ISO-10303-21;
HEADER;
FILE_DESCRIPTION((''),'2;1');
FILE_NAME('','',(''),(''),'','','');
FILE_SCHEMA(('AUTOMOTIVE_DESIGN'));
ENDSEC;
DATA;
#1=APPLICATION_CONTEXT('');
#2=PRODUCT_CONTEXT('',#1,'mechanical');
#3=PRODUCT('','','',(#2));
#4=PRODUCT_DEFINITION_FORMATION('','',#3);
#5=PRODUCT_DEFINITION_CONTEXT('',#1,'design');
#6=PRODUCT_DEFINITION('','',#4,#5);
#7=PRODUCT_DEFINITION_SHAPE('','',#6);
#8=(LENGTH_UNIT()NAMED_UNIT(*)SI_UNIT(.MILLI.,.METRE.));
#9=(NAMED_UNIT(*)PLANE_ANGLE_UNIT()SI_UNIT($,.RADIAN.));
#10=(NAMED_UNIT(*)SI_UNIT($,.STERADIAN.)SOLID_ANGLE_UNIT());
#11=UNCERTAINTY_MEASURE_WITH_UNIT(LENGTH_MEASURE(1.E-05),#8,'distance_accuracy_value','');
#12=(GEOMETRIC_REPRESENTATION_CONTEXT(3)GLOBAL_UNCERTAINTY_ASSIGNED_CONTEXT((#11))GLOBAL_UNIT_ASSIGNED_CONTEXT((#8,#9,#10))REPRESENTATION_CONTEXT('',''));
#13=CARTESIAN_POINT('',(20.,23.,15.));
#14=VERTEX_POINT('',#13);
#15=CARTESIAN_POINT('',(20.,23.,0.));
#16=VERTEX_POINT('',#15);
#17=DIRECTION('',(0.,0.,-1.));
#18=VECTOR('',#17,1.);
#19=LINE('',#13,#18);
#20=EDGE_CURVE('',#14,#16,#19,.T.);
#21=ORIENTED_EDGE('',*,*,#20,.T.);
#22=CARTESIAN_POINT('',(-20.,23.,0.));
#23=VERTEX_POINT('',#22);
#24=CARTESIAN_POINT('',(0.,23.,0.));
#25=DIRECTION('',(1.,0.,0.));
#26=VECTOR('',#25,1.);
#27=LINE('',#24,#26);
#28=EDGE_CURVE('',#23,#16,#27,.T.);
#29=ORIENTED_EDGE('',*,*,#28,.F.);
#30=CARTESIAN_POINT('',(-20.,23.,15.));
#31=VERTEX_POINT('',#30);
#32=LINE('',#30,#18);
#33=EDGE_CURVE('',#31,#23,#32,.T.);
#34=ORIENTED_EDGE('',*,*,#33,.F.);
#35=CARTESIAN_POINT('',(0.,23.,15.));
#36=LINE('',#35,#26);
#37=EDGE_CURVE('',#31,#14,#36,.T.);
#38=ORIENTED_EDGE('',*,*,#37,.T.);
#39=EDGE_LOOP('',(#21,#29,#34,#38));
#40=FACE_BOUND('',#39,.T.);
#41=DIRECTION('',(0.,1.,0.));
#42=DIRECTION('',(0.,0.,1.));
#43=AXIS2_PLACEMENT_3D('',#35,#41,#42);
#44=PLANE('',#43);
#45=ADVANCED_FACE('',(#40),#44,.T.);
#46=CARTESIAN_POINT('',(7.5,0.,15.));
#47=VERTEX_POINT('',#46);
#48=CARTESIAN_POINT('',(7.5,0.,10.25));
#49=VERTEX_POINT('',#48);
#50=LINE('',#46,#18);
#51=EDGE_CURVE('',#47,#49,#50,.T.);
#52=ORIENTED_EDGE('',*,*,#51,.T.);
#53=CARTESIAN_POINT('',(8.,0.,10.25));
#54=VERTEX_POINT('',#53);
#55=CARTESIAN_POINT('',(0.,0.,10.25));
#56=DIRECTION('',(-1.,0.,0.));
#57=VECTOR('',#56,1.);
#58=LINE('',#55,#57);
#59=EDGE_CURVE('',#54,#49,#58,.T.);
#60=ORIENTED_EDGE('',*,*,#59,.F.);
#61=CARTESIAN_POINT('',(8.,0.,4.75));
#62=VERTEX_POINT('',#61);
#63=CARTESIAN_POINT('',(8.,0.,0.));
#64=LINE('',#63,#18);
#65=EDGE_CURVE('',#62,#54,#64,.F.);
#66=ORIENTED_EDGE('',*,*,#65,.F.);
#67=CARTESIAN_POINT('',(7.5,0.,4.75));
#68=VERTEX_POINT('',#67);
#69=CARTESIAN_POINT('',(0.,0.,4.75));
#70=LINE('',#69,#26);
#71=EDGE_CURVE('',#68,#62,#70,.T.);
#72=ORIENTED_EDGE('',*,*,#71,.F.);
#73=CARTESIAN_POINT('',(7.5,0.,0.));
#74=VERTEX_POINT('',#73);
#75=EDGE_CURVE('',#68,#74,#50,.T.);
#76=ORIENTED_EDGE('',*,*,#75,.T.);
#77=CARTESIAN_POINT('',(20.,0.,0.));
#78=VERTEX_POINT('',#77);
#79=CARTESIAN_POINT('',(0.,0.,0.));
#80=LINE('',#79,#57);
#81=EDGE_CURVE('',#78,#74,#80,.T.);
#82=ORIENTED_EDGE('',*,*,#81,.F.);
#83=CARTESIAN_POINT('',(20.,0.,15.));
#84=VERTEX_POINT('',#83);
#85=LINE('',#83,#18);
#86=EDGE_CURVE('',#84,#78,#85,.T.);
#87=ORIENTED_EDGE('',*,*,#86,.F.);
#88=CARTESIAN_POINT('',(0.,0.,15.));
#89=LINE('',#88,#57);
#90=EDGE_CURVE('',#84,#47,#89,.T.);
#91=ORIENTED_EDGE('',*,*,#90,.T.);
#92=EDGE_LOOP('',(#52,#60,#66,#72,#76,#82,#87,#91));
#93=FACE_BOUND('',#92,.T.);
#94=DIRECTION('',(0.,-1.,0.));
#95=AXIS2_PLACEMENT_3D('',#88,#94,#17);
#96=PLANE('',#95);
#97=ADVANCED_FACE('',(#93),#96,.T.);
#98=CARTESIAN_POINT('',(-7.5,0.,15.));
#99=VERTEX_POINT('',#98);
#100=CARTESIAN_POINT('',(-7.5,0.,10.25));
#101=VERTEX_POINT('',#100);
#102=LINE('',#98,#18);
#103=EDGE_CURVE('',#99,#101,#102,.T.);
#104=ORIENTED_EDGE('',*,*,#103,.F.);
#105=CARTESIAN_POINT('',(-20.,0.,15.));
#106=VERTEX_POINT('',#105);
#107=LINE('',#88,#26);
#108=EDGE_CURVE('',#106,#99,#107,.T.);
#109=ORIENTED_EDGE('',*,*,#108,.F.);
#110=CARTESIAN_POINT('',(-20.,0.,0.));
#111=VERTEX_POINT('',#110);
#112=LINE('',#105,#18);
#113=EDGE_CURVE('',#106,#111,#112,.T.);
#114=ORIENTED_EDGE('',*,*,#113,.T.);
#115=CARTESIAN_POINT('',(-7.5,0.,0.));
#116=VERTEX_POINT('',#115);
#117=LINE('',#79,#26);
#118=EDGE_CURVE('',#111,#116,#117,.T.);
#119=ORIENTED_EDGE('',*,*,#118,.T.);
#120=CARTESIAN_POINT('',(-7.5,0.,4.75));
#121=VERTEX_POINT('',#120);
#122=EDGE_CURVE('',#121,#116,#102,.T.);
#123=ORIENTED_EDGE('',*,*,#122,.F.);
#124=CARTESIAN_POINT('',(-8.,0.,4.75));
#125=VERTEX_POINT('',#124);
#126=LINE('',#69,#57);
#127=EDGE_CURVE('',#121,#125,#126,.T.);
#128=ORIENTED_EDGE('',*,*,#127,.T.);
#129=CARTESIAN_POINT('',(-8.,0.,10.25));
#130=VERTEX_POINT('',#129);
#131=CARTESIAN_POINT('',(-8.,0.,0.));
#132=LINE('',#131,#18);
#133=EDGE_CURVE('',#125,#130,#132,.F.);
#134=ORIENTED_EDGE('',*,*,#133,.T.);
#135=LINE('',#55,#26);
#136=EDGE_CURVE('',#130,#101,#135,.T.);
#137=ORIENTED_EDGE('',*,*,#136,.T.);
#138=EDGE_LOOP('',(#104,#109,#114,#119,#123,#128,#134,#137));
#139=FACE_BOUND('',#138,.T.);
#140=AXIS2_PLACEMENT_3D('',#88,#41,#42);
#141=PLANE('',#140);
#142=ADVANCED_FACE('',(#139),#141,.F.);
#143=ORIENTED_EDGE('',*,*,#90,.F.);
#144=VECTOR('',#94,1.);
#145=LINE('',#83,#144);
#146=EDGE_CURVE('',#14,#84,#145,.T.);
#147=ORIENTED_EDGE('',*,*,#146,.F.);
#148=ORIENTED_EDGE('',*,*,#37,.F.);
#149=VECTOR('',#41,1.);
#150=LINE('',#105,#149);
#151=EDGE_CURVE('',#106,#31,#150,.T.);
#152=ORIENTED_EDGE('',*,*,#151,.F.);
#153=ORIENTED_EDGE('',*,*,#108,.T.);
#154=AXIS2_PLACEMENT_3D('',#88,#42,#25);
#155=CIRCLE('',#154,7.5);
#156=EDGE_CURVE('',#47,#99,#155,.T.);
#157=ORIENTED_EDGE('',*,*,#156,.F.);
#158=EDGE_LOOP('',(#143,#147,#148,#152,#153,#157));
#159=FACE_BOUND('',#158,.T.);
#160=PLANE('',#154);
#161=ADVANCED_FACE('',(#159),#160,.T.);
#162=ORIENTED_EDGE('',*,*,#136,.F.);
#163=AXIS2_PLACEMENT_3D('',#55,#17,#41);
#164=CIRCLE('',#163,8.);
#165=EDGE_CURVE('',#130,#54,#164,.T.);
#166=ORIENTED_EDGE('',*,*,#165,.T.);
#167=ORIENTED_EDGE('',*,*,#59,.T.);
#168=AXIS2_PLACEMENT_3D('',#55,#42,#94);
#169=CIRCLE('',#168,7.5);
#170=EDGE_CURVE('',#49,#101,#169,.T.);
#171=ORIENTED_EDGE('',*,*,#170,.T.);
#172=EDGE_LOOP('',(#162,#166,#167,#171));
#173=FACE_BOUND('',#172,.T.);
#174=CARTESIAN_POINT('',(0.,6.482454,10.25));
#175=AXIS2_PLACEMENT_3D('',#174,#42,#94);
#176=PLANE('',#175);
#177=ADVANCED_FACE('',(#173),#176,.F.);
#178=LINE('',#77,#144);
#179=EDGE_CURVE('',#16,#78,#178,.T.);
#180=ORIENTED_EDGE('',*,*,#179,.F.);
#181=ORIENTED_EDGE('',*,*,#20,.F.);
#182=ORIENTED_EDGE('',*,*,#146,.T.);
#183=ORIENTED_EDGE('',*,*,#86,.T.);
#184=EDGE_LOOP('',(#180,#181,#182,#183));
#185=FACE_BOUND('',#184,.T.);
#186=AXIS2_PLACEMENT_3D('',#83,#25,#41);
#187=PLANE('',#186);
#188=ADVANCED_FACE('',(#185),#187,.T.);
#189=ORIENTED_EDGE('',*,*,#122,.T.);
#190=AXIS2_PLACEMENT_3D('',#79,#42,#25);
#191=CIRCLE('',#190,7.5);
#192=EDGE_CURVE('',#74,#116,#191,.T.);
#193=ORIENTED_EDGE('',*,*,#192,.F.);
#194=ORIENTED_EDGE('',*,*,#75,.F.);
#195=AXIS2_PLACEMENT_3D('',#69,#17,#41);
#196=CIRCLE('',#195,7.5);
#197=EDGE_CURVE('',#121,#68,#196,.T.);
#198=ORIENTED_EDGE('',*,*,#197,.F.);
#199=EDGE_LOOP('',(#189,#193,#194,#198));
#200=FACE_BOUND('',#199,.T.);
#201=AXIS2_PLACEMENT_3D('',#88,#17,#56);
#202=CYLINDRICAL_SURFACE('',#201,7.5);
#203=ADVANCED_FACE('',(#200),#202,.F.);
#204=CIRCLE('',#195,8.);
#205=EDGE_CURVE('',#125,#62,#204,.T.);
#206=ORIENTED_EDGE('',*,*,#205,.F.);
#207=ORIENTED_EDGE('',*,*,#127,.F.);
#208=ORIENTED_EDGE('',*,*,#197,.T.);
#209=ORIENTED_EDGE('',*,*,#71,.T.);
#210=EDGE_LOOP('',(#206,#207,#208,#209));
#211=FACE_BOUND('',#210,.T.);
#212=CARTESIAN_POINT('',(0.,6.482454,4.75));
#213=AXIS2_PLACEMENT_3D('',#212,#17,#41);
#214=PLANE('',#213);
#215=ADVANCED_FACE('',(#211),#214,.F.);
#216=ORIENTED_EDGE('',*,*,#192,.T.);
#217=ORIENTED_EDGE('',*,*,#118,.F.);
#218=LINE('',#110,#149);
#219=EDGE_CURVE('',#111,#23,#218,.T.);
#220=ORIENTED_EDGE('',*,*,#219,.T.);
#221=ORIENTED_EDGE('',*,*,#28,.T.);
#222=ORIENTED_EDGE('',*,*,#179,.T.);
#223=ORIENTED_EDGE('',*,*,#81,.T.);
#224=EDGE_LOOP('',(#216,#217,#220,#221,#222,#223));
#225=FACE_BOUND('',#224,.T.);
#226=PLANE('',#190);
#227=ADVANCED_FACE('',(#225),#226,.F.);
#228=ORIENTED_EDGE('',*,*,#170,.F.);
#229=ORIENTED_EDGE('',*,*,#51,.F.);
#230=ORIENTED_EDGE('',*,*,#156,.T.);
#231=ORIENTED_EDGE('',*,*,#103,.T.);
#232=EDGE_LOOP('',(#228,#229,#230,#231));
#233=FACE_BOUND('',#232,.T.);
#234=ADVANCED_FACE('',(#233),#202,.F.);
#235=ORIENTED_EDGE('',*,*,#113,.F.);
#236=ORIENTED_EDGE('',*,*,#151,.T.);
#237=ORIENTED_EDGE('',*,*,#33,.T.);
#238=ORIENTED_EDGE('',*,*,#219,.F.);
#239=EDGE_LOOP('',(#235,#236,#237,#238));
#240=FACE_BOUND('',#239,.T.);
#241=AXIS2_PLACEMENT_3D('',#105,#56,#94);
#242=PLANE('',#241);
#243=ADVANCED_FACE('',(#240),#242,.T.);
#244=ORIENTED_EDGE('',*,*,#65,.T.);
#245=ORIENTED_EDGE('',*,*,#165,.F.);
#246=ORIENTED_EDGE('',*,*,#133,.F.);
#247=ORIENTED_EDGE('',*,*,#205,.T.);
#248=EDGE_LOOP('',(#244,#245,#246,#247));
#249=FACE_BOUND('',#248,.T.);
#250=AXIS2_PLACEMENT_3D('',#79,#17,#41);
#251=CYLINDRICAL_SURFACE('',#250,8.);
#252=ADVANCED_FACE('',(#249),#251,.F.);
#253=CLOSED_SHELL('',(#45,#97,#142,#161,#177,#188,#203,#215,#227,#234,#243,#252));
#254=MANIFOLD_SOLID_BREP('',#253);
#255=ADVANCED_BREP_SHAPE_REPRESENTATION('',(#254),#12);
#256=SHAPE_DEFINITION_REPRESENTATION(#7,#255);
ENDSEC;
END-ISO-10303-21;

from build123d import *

# Parameters (mm, degrees)
BOSS_EXTRUDE1_DEPTH = 15
SKETCH2_W           = 5.5
SKETCH2_H           = 1.517546376


with BuildPart() as part:
    # Sketch1 → Boss-Extrude1 (new body)
    with BuildSketch(Plane.XY):
        with BuildLine():
            Line((-20, 0), (-20, 23))
            Line((-20, 23), (20, 23))
            Line((20, 23), (20, 0))
            Line((20, 0), (7.5, 0))
            ThreePointArc((7.5, 0), (0, 7.5), (-7.5, 0))
            Line((-7.5, 0), (-20, 0))
        make_face()
    extrude(amount=BOSS_EXTRUDE1_DEPTH)

    # Sketch2 → Cut-Revolve2 (revolve, cut)
    with BuildSketch(Plane(origin=(0, 0, 0), x_dir=(0, 0, -1), z_dir=(1, 0, 0))):
        with Locations((-7.5, 7.241226812)):
            Rectangle(SKETCH2_W, SKETCH2_H)
    revolve(axis=Axis((0, 0, 0), (0, 0, 1)), mode=Mode.SUBTRACT)


solid = part.part
